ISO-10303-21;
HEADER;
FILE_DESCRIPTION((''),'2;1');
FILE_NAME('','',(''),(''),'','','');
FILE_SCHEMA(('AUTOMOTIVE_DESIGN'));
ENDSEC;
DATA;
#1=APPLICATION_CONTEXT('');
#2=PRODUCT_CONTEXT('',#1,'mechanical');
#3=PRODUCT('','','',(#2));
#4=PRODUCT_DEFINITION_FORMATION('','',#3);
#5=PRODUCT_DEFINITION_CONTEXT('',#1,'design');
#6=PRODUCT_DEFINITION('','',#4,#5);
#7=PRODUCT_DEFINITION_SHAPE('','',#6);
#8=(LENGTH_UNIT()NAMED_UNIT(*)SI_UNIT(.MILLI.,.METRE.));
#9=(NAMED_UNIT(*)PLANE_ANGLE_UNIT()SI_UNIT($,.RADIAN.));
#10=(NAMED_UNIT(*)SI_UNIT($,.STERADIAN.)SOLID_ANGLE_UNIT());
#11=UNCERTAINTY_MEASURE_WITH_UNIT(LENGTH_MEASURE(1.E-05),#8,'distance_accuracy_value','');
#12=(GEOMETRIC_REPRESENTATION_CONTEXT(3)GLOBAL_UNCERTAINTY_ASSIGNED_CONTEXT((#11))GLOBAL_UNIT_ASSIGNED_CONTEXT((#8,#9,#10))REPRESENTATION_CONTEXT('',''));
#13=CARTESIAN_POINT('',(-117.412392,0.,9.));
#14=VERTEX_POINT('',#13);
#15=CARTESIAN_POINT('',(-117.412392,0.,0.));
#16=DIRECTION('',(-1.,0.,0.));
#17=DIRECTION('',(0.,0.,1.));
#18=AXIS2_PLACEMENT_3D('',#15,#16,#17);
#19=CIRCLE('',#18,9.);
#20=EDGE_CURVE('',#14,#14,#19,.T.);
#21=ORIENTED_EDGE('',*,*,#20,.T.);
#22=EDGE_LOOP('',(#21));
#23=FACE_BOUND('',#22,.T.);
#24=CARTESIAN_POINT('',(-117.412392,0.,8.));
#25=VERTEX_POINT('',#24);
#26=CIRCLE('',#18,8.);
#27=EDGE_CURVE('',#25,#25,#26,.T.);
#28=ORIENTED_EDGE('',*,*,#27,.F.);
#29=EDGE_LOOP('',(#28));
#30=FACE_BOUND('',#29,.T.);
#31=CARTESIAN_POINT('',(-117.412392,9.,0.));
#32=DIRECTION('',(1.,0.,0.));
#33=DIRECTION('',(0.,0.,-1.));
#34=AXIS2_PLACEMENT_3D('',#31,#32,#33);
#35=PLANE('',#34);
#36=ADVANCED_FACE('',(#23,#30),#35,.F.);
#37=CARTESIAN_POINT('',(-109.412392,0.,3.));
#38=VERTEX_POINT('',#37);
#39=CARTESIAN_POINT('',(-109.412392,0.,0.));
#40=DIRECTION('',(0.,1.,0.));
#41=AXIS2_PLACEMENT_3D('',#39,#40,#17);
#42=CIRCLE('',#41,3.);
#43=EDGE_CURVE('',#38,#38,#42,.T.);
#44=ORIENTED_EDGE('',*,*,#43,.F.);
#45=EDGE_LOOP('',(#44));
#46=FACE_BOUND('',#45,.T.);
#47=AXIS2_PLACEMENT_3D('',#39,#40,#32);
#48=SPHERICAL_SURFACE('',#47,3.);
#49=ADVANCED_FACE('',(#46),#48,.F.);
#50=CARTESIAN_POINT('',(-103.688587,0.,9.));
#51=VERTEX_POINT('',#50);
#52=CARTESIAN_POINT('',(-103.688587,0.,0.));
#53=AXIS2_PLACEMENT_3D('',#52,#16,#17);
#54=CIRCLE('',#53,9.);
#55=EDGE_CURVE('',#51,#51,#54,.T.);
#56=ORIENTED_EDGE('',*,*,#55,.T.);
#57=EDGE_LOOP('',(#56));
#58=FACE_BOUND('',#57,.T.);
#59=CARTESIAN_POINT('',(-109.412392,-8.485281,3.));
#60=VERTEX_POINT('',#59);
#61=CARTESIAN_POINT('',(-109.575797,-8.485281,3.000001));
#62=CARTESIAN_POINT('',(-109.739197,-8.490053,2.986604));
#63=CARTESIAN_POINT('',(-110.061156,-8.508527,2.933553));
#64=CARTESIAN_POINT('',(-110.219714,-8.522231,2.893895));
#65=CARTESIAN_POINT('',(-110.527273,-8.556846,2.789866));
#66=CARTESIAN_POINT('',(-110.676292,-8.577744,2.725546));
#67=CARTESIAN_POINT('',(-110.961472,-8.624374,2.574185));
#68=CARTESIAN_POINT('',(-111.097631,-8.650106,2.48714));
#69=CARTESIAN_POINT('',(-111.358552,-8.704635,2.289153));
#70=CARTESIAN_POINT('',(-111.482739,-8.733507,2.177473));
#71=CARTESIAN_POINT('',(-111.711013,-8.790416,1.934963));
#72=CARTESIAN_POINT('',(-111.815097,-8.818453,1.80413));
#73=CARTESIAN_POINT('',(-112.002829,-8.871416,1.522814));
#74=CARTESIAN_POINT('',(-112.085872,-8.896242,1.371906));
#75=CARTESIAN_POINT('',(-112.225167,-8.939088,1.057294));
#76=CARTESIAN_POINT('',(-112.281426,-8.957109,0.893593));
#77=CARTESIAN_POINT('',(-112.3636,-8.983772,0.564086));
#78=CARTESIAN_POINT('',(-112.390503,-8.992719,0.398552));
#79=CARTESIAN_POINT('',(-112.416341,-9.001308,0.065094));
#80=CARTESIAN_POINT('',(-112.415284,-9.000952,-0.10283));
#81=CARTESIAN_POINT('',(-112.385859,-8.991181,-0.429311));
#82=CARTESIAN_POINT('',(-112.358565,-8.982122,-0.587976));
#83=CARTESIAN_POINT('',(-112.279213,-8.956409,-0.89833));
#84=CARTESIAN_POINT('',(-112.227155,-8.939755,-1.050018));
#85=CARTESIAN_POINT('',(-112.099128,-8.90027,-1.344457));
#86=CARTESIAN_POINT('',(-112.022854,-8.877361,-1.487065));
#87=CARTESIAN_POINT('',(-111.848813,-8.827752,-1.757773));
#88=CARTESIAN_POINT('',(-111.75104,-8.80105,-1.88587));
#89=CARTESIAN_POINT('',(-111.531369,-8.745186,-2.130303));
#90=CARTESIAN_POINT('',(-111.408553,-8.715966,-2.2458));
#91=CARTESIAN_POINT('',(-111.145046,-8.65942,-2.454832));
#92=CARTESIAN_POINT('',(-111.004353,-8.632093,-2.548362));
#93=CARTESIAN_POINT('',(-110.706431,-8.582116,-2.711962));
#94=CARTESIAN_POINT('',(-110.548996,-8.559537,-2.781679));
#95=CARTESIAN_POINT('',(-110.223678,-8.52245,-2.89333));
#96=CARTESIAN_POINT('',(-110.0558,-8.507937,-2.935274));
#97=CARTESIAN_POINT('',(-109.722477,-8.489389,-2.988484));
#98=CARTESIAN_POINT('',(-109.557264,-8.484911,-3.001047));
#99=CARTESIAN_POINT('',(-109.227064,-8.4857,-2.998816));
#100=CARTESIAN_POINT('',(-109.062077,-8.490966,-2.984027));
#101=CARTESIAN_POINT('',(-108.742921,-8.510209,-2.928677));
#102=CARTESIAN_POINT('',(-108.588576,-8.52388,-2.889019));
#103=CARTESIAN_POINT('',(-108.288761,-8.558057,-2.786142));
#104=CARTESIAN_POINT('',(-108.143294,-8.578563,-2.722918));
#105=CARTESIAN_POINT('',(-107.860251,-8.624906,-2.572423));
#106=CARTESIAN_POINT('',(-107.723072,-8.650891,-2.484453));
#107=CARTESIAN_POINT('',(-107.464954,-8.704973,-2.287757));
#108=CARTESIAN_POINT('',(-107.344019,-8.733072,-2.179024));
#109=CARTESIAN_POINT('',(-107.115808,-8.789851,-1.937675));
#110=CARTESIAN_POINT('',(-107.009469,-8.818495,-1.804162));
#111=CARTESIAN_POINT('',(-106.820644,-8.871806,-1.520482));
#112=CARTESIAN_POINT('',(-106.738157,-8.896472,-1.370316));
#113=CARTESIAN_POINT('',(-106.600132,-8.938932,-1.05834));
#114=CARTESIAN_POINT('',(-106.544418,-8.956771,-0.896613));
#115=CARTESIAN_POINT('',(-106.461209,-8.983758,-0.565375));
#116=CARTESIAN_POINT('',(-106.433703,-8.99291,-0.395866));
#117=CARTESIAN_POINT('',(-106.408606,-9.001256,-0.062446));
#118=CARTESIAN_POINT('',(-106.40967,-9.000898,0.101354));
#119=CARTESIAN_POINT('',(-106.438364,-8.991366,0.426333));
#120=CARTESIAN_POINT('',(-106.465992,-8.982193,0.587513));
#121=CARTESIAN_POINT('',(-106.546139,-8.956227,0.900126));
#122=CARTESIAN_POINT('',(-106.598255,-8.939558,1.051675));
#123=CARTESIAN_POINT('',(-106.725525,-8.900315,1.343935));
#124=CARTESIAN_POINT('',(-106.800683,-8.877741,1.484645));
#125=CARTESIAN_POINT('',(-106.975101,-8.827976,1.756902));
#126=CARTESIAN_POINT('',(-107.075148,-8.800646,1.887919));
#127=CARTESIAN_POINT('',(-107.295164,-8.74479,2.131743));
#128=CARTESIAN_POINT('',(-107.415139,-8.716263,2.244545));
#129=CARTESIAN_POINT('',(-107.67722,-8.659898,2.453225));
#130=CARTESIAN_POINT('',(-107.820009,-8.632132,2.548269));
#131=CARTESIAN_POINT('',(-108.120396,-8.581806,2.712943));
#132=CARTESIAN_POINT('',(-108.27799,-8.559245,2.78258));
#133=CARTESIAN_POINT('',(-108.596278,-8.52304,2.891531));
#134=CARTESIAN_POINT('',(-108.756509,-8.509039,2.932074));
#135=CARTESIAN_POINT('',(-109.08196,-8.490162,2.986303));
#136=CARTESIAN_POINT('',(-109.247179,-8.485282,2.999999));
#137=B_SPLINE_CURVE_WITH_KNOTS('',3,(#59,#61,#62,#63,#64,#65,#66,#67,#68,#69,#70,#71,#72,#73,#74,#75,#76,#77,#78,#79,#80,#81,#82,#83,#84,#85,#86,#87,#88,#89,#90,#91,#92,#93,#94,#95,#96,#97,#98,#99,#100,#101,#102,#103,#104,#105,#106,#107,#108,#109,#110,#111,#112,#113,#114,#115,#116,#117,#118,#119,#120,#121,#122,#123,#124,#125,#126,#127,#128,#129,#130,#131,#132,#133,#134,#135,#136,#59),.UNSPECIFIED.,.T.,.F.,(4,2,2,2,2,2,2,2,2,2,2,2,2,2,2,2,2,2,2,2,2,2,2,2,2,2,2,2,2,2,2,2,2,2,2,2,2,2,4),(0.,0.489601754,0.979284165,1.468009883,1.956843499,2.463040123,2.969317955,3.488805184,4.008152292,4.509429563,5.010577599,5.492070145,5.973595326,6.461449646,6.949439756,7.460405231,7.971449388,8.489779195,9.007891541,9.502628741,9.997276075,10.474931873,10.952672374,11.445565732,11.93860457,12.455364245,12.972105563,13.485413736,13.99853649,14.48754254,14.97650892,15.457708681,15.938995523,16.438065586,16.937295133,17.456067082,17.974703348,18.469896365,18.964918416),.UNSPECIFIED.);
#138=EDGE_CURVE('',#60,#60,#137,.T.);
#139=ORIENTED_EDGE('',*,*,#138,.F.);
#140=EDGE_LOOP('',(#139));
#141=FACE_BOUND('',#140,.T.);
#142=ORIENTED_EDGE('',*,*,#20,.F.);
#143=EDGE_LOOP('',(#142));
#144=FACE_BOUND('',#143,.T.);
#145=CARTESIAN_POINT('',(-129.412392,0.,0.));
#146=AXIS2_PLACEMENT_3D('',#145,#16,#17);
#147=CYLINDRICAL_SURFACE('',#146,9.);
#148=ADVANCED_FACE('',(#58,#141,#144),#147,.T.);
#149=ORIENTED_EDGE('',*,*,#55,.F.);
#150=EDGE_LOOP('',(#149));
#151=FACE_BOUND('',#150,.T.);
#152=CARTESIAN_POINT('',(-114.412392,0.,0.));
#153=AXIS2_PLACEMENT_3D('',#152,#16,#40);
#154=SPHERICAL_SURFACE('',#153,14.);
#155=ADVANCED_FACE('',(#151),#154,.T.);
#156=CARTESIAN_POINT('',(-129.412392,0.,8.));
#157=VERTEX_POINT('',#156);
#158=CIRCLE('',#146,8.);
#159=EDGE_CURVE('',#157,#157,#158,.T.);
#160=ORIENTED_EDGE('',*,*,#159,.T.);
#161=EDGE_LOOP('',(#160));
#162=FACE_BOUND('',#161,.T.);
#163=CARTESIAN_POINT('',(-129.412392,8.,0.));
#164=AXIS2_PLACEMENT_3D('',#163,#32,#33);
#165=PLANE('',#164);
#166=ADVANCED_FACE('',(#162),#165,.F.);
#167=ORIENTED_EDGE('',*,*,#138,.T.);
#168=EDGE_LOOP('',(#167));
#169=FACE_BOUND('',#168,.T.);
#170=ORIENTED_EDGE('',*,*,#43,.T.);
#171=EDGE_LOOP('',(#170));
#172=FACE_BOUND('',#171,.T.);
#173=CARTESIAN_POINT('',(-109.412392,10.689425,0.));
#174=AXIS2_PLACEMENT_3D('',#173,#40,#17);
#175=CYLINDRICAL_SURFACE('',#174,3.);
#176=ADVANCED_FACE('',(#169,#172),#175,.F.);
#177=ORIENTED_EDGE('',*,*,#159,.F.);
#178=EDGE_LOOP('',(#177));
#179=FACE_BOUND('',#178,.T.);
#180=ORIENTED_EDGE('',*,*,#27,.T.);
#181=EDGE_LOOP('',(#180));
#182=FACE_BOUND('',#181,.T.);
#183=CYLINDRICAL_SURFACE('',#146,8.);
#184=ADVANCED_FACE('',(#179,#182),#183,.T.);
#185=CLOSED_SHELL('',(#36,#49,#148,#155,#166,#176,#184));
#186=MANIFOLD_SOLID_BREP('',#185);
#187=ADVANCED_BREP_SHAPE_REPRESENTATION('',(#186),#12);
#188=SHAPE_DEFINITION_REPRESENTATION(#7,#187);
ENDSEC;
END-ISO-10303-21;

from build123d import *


with BuildPart() as part:
    # Esquisse1 → Révolution1 (revolve)
    with BuildSketch(Plane.XY, mode=Mode.PRIVATE) as r_volution1_sk:
        with BuildLine():
            Line((-117.412392243, 9), (-103.688586948, 9))
            ThreePointArc((-103.688586948, 9), (-101.256912887, 4.78887909), (-100.412392243, 0))
            Line((-100.412392243, 0), (-129.412392243, 0))
            Line((-129.412392243, 0), (-129.412392243, 8))
            Line((-129.412392243, 8), (-117.412392243, 8))
            Line((-117.412392243, 8), (-117.412392243, 9))
        make_face()
    revolve(r_volution1_sk.sketch.rotate(Axis((-129.412392243, 0, 0), (1, 0, 0)), 90), axis=Axis((-129.412392243, 0, 0), (1, 0, 0)))  # turned: the seam where the file's is

    # Esquisse2 → Enlèvement de matière-Révolution1 (revolve, cut)
    with BuildSketch(Plane.XY, mode=Mode.PRIVATE) as enl_vement_de_mati_re_r_volution1_sk:
        with BuildLine():
            Line((-109.412392243, -10.843650203), (-106.412392243, -10.843650203))
            Line((-106.412392243, -10.843650203), (-106.412392243, 0))
            ThreePointArc((-106.412392243, 0), (-107.291071899, 2.121320344), (-109.412392243, 3))
            Line((-109.412392243, 3), (-109.412392243, 0))
            Line((-109.412392243, 0), (-109.412392243, -10.843650203))
        make_face()
    revolve(enl_vement_de_mati_re_r_volution1_sk.sketch.rotate(Axis((-109.412392243, 10.689425153, 0), (0, -1, 0)), 90), axis=Axis((-109.412392243, 10.689425153, 0), (0, -1, 0)), mode=Mode.SUBTRACT)  # turned: the seam where the file's is


solid = part.part
